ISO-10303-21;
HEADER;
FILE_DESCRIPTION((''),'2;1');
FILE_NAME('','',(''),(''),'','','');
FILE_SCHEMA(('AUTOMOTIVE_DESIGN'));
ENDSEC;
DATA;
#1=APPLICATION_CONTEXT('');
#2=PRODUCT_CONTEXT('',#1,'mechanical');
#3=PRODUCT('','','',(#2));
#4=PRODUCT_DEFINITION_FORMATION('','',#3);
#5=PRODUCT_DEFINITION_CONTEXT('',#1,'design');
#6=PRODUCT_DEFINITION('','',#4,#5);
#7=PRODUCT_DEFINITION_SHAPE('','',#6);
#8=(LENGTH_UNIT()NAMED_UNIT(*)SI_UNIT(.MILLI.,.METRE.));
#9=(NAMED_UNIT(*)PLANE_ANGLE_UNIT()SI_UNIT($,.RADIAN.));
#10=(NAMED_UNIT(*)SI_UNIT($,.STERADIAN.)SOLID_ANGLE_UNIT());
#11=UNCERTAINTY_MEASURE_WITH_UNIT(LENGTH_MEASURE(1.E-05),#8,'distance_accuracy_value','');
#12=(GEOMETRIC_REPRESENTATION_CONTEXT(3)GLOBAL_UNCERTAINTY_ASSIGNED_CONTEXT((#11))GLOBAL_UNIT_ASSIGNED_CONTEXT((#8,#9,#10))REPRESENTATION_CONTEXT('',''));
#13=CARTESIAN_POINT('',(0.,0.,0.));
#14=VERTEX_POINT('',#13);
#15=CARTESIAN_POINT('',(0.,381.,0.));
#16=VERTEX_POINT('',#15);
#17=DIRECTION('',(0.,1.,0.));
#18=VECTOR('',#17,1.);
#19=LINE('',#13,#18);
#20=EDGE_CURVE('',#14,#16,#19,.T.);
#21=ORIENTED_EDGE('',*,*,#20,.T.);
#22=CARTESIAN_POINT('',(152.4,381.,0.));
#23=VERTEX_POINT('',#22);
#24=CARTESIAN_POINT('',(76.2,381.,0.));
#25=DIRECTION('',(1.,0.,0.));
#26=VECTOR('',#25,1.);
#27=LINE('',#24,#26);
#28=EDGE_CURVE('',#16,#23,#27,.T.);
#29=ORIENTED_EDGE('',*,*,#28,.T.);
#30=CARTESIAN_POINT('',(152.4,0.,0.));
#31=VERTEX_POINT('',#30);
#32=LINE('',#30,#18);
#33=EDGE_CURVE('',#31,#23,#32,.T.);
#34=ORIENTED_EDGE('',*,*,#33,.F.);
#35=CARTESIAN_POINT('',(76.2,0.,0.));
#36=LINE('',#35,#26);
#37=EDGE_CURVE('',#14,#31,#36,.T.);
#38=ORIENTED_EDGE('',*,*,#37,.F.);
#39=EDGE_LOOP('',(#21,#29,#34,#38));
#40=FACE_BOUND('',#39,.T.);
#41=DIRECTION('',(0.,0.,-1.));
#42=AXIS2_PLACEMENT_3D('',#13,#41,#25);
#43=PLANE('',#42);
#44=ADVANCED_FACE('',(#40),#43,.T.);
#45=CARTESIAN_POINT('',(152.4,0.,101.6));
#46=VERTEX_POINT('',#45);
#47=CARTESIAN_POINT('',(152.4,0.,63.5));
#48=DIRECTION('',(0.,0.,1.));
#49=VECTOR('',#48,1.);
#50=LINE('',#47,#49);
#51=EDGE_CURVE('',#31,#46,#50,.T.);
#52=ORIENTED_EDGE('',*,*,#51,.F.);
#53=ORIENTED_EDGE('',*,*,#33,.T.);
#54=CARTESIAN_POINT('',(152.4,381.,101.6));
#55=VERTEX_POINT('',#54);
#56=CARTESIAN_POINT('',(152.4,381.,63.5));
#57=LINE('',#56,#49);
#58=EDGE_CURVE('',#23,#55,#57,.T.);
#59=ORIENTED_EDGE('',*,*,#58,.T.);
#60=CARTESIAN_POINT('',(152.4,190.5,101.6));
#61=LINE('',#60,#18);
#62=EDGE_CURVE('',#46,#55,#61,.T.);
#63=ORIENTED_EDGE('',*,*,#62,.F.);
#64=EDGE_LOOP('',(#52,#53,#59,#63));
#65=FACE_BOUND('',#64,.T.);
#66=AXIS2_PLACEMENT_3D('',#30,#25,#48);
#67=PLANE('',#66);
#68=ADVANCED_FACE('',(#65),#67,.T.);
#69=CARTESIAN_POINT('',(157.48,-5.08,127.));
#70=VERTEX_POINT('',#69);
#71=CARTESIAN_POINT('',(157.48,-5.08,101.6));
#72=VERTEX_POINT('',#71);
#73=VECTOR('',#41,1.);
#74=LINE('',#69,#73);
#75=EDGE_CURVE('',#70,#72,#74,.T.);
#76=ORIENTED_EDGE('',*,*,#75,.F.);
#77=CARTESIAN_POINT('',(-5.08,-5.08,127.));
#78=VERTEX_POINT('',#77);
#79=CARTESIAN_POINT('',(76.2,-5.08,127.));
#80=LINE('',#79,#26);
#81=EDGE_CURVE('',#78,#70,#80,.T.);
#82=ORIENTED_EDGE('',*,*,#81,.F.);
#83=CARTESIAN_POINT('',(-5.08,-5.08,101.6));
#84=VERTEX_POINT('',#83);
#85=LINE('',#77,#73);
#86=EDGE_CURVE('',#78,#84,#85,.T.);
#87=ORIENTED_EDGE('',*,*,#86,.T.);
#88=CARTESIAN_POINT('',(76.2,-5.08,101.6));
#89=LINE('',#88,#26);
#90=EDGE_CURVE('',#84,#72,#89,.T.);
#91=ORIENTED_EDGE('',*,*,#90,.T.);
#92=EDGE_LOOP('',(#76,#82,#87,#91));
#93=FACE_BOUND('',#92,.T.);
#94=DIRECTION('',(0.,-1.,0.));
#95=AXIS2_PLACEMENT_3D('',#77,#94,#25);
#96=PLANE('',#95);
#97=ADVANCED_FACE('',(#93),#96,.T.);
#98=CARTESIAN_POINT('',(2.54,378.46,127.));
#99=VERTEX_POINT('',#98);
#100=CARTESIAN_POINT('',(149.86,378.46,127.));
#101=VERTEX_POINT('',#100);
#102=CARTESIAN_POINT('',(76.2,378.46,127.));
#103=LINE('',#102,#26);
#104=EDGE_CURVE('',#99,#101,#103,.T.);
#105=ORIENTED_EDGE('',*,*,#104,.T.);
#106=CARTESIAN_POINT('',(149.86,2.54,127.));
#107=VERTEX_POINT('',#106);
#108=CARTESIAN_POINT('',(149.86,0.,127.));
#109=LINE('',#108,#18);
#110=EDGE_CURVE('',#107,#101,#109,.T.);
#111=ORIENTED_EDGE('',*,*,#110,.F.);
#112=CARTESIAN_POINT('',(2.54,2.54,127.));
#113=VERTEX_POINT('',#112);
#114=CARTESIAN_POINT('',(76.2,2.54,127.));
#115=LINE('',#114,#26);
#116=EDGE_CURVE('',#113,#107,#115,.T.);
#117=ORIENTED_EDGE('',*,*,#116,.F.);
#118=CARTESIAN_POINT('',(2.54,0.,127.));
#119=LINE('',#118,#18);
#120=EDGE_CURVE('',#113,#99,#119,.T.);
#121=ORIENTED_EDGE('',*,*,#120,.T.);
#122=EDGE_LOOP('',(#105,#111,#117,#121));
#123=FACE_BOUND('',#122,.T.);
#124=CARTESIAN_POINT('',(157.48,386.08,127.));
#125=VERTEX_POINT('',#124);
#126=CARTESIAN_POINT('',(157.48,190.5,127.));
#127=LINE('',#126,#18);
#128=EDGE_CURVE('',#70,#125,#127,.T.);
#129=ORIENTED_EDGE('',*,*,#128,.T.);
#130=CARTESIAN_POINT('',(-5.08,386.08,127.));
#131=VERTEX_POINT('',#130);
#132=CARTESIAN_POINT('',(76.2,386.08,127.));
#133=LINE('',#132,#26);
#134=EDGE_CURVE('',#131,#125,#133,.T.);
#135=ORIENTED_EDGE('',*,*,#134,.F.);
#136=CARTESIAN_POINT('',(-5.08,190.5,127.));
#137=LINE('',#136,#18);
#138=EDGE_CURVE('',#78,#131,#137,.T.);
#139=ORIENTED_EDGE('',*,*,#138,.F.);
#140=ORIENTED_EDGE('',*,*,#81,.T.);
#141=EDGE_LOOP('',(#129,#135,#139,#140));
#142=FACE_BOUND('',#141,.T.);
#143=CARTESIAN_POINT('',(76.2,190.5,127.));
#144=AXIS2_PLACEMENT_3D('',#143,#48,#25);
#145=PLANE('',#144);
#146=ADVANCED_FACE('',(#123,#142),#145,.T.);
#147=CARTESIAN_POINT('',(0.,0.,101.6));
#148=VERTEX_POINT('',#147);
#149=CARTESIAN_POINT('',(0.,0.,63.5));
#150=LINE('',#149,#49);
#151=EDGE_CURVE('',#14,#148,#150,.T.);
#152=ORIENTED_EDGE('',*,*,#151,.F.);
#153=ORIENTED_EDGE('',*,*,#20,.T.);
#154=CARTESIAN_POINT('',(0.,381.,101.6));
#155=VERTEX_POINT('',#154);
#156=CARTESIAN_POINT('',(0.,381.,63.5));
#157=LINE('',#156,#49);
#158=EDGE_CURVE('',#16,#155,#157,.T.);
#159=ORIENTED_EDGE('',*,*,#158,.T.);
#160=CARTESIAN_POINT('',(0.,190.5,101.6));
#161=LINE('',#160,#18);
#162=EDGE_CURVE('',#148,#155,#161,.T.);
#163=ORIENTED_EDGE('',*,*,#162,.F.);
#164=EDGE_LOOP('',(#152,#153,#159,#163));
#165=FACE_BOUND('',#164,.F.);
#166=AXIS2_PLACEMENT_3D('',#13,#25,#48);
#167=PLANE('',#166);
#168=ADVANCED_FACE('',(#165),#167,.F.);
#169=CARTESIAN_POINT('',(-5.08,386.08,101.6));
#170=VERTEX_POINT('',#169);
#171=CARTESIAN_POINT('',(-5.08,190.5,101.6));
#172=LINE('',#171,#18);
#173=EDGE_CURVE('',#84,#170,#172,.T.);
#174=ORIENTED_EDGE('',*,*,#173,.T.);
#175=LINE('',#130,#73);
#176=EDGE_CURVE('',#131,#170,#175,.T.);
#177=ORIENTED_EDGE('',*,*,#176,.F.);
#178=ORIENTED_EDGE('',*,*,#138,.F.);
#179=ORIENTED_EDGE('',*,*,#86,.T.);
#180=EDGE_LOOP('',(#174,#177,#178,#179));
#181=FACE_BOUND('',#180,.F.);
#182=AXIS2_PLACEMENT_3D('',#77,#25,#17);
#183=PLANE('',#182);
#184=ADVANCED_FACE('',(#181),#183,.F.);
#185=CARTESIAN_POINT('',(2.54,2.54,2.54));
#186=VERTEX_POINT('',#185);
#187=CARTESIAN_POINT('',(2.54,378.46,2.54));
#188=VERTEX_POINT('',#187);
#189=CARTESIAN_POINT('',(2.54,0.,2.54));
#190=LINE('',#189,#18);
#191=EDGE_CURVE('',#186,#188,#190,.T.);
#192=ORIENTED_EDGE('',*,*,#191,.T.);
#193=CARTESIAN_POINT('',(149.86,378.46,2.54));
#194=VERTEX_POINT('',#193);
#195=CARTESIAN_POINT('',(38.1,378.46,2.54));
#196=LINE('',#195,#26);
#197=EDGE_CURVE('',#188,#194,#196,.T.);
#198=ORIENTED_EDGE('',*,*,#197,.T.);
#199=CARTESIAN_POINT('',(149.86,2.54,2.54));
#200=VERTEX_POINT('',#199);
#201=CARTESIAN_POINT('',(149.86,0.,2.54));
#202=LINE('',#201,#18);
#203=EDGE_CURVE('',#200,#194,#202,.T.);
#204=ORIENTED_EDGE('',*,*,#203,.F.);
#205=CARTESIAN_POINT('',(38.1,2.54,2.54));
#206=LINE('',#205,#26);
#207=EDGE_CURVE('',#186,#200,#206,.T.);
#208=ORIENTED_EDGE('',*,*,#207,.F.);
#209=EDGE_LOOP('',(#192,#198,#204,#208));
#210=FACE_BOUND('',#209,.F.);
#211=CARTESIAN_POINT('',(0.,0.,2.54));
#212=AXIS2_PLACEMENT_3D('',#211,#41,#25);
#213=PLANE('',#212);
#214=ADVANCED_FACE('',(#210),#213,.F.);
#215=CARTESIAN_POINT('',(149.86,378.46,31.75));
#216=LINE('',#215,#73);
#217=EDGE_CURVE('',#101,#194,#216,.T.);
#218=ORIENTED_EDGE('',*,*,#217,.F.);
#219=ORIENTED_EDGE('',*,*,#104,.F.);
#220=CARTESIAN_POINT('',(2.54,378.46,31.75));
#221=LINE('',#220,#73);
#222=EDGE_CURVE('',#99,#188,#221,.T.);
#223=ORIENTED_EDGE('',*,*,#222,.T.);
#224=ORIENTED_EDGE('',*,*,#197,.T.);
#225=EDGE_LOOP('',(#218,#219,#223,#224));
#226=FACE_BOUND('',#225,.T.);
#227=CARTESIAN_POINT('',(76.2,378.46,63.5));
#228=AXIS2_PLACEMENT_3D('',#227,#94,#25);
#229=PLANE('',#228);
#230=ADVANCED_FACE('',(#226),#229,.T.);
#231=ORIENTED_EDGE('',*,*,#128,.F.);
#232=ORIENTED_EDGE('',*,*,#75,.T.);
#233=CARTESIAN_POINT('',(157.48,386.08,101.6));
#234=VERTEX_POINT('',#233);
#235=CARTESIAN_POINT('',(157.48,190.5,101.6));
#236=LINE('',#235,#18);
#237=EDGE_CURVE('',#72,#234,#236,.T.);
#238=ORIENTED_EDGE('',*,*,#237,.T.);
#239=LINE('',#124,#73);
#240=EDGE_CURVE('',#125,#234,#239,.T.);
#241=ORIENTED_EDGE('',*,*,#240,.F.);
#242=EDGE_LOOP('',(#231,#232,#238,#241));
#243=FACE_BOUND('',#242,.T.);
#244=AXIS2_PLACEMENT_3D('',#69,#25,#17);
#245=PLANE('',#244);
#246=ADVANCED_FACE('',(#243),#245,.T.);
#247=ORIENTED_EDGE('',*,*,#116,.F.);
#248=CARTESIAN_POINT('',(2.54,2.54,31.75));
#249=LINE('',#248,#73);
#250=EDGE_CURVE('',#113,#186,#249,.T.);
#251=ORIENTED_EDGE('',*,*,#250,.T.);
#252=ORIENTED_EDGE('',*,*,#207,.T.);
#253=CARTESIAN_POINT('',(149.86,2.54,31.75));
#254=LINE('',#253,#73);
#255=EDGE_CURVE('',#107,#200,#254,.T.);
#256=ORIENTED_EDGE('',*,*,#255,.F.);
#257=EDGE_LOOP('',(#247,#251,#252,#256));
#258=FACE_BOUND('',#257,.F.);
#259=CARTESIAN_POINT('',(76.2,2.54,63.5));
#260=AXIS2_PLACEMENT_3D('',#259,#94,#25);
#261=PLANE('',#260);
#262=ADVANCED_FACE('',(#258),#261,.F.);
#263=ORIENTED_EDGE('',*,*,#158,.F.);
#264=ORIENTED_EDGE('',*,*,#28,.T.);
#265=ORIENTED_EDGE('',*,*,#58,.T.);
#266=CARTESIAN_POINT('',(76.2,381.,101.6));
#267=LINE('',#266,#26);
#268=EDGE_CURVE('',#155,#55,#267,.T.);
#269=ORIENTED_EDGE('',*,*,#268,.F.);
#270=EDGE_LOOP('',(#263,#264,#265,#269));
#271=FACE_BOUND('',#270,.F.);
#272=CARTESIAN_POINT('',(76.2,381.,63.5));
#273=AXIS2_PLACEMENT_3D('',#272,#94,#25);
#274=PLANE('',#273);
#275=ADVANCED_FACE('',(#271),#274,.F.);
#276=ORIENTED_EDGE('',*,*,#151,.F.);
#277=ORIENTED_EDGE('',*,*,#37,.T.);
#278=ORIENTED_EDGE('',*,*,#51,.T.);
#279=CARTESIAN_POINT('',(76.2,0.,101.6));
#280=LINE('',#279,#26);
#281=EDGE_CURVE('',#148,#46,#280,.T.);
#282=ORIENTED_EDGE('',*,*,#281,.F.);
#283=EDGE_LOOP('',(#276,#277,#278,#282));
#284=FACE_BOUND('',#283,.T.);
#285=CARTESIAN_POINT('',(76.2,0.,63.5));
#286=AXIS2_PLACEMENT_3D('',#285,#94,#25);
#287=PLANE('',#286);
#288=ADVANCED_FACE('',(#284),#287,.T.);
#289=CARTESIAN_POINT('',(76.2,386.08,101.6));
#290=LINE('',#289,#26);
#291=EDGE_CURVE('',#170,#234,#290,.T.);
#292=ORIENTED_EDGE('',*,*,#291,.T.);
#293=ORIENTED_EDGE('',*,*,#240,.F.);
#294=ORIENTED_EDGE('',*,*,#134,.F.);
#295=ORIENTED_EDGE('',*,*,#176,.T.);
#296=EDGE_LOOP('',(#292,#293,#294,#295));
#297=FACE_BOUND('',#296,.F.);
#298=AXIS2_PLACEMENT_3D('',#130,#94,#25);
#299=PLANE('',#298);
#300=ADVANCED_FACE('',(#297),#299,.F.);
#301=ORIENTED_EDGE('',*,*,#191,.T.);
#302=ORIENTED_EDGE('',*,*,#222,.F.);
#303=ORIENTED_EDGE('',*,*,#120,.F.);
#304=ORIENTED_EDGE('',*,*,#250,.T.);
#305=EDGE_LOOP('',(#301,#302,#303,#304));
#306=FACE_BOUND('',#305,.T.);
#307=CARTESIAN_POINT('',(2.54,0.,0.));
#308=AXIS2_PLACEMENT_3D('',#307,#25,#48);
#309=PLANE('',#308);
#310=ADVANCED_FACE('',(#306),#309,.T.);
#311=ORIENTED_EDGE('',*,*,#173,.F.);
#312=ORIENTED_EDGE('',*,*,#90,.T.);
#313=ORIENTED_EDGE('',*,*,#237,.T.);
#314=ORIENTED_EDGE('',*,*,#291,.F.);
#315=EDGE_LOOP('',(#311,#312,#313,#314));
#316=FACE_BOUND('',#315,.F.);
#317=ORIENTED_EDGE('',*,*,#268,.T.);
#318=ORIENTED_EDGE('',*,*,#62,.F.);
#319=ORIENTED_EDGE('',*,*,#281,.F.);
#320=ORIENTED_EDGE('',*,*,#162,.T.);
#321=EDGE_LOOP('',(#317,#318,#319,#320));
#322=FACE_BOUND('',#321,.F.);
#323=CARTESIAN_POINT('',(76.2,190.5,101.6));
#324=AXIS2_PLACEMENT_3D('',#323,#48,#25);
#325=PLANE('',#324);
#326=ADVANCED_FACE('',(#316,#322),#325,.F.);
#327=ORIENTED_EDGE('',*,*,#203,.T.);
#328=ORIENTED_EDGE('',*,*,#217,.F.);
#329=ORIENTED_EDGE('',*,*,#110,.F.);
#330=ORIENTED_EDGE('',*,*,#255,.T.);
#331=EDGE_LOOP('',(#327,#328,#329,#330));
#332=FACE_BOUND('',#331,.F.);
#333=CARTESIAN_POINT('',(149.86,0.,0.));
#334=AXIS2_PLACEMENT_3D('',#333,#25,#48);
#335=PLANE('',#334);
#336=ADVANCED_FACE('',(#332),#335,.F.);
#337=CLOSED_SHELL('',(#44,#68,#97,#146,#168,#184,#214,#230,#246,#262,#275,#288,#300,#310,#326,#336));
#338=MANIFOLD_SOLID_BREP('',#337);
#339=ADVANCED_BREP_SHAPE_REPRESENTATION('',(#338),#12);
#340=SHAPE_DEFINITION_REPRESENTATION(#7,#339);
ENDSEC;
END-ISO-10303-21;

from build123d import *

# Parameters (mm, degrees)
F0_W     = 152.4
F0_H     = 127
F1_DEPTH = 381
F2_T     = -2.54
F3_W     = 162.56
F3_H     = 391.16
F3_W_2   = 152.4
F3_H_2   = 381
F4_DEPTH = 25.4


with BuildPart() as f1:
    # F0 (on Front) → F1 (new body)
    with BuildSketch(Plane.XZ):
        with Locations((76.2, 63.5)):
            Rectangle(F0_W, F0_H)
    extrude(amount=-F1_DEPTH)

    # F2
    f2_openings = [f1.faces().sort_by_distance(p)[0] for p in [
        (76.2, 190.5, 127),
    ]]
    offset(amount=F2_T, openings=f2_openings)

    # F3 (on face) → F4 (join)
    with BuildSketch(Plane.XY.offset(127)):
        with Locations((76.2, 190.5)):
            Rectangle(F3_W, F3_H)
        with Locations((76.2, 190.5)):
            Rectangle(F3_W_2, F3_H_2, mode=Mode.SUBTRACT)
    extrude(amount=-F4_DEPTH)


solid = f1.part
